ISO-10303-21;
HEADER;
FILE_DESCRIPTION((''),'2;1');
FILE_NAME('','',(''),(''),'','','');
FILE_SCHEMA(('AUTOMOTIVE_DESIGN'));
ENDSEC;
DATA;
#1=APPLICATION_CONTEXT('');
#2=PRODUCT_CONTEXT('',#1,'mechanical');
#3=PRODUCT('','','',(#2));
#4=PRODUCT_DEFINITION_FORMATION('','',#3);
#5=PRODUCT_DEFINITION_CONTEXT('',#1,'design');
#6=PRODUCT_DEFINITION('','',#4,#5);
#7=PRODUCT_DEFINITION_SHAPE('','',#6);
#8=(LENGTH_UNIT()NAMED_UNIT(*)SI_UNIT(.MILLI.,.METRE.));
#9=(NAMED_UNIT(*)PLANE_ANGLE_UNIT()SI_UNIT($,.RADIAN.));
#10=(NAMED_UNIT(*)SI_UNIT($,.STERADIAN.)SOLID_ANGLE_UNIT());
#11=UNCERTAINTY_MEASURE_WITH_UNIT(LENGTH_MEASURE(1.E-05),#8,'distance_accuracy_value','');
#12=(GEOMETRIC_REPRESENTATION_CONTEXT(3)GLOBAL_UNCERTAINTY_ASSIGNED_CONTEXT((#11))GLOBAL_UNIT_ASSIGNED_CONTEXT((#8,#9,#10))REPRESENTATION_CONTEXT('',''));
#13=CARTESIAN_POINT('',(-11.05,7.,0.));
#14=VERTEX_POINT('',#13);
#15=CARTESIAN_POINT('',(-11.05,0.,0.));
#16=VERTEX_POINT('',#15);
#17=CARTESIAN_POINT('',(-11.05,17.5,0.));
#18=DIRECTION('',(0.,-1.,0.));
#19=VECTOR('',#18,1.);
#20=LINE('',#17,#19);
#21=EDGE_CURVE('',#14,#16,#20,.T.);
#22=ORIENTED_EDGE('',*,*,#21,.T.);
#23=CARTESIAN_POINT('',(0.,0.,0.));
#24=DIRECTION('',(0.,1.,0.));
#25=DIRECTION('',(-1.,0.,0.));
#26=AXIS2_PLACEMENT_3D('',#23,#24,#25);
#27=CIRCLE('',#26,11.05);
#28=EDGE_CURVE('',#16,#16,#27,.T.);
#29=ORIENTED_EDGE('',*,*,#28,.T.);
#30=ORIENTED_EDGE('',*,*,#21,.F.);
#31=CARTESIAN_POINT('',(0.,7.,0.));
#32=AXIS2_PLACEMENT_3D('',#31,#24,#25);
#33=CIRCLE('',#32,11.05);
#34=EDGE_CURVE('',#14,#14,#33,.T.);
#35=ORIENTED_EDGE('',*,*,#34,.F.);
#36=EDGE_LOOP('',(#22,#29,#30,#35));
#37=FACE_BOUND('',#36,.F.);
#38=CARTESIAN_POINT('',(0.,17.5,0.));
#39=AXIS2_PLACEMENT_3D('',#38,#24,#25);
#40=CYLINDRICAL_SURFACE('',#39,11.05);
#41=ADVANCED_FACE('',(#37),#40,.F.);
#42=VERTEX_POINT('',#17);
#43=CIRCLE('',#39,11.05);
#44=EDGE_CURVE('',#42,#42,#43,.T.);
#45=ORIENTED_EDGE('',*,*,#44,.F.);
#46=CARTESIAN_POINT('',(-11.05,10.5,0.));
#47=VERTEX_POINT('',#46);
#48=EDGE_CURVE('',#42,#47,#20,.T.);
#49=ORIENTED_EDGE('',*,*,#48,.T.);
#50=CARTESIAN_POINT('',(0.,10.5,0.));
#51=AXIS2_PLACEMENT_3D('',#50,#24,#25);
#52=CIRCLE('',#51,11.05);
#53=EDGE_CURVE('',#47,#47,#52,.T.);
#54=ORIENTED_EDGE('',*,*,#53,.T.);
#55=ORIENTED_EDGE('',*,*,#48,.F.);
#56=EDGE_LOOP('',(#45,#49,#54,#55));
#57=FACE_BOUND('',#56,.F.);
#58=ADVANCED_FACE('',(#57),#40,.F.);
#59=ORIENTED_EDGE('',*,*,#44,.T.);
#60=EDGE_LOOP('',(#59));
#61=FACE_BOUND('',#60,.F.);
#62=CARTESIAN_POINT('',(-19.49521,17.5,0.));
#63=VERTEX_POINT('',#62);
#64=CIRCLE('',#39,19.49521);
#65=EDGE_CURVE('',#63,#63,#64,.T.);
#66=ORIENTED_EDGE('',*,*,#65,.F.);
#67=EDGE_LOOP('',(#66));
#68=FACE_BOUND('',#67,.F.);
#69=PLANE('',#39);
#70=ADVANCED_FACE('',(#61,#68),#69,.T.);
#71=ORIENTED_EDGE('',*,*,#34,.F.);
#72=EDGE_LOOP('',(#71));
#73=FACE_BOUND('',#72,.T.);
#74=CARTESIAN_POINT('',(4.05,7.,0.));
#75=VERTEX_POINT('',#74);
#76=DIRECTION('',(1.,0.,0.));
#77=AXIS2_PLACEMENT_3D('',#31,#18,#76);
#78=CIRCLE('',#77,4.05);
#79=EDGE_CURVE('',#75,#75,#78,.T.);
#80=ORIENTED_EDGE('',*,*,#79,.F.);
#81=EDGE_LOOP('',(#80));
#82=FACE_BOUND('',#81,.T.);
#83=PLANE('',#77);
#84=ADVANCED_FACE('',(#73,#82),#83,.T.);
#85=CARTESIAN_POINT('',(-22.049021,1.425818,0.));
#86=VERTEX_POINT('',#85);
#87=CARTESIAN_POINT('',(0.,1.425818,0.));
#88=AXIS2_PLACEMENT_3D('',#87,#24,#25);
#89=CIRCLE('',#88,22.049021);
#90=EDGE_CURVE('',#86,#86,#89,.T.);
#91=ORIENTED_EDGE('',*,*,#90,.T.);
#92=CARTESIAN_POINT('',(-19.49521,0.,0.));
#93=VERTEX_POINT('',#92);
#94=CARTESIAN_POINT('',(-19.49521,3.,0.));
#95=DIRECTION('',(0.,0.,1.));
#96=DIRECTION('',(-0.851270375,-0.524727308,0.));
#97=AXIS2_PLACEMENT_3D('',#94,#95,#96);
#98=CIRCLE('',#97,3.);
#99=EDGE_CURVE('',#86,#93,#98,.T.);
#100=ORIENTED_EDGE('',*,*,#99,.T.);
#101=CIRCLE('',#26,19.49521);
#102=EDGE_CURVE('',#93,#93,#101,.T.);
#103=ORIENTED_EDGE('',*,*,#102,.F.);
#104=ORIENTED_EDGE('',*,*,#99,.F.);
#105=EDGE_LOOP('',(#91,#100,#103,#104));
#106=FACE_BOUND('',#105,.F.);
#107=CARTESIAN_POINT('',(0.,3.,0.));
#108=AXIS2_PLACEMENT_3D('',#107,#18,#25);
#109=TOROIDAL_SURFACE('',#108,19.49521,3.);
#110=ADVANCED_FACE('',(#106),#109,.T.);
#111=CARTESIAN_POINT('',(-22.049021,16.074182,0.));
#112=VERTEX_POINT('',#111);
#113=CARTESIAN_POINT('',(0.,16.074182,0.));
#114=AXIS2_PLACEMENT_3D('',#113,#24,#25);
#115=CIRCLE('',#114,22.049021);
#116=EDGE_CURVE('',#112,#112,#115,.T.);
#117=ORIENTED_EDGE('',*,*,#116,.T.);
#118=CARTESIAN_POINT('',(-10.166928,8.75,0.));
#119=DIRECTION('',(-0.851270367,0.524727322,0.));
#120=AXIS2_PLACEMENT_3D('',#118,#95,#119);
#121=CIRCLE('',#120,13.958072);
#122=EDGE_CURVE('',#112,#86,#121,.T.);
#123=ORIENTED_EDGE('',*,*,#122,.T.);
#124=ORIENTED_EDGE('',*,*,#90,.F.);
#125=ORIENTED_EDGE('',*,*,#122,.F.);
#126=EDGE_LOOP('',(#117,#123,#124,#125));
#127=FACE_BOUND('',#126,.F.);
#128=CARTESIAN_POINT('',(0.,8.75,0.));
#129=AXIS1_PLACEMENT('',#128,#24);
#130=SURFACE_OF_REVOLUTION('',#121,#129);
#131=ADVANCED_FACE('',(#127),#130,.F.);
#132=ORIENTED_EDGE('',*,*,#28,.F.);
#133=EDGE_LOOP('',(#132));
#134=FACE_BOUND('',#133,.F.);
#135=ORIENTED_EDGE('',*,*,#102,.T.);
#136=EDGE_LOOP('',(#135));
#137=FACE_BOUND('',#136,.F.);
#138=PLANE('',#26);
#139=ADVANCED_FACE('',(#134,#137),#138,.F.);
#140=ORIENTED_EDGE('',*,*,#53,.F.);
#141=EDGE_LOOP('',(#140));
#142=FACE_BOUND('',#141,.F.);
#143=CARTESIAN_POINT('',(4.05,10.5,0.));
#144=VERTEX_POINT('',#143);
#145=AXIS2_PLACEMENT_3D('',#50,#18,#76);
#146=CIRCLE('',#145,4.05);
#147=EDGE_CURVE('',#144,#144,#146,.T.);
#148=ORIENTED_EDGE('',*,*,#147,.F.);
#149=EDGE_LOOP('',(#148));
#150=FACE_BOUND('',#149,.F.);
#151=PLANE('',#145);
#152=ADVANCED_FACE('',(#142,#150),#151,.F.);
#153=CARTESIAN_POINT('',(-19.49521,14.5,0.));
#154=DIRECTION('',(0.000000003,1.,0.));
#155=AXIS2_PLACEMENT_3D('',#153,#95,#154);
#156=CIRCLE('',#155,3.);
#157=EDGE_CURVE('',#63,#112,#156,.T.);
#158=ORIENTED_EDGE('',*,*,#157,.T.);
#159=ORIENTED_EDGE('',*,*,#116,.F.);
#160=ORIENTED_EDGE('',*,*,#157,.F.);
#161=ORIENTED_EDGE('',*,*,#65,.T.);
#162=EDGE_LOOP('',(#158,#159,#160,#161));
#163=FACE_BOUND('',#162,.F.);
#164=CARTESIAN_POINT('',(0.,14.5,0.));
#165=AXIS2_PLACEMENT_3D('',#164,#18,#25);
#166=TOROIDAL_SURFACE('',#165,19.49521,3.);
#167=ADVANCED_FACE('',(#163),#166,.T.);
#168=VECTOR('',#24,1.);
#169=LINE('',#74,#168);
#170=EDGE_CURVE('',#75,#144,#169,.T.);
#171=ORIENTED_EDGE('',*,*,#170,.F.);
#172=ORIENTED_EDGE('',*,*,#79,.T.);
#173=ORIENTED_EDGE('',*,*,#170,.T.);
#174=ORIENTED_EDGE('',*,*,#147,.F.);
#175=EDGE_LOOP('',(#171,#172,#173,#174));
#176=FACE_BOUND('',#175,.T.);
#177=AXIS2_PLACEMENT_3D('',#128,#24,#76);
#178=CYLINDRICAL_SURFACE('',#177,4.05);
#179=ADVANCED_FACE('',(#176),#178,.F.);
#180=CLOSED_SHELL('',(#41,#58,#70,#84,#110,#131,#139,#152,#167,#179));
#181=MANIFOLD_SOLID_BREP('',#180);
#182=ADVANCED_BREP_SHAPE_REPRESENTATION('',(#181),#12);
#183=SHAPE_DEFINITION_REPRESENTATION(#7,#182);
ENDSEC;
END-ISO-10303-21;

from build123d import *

# Parameters (mm, degrees)
F2_R     = 11.05
F3_DEPTH = 25
F5_R     = 13.182718
F5_R_2   = 4.05
F6_DEPTH = 1.75


with BuildPart() as f1:
    # F0 (on Top) → F1 (revolve)
    with BuildSketch(Plane.XY):
        with BuildLine():
            Line((-19.49521, 0), (0, 0))
            Line((0, 0), (0, 17.5))
            Line((0, 17.5), (-19.49521, 17.5))
            ThreePointArc((-19.49521, 17.5), (-20.957649, 17.119403), (-22.049021, 16.074182))
            ThreePointArc((-22.049021, 16.074182), (-24.125, 8.75), (-22.049021, 1.425818))
            ThreePointArc((-22.049021, 1.425818), (-20.957649, 0.380597), (-19.49521, 0))
        make_face()
    revolve(axis=Axis((0, 8.75, 0), (0, 1, 0)))

    # F2 (on face) → F3 (cut)
    with BuildSketch(Plane(origin=(0, 17.5, 0), x_dir=(-1, 0, 0), z_dir=(0, 1, 0))):
        Circle(F2_R)
    extrude(amount=-F3_DEPTH, mode=Mode.SUBTRACT)

    # F5 (on mid) → F6 (join, symmetric)
    with BuildSketch(Plane.XZ.offset(-8.75)):
        Circle(F5_R)
        Circle(F5_R_2, mode=Mode.SUBTRACT)
    extrude(amount=F6_DEPTH, both=True)


solid = f1.part
